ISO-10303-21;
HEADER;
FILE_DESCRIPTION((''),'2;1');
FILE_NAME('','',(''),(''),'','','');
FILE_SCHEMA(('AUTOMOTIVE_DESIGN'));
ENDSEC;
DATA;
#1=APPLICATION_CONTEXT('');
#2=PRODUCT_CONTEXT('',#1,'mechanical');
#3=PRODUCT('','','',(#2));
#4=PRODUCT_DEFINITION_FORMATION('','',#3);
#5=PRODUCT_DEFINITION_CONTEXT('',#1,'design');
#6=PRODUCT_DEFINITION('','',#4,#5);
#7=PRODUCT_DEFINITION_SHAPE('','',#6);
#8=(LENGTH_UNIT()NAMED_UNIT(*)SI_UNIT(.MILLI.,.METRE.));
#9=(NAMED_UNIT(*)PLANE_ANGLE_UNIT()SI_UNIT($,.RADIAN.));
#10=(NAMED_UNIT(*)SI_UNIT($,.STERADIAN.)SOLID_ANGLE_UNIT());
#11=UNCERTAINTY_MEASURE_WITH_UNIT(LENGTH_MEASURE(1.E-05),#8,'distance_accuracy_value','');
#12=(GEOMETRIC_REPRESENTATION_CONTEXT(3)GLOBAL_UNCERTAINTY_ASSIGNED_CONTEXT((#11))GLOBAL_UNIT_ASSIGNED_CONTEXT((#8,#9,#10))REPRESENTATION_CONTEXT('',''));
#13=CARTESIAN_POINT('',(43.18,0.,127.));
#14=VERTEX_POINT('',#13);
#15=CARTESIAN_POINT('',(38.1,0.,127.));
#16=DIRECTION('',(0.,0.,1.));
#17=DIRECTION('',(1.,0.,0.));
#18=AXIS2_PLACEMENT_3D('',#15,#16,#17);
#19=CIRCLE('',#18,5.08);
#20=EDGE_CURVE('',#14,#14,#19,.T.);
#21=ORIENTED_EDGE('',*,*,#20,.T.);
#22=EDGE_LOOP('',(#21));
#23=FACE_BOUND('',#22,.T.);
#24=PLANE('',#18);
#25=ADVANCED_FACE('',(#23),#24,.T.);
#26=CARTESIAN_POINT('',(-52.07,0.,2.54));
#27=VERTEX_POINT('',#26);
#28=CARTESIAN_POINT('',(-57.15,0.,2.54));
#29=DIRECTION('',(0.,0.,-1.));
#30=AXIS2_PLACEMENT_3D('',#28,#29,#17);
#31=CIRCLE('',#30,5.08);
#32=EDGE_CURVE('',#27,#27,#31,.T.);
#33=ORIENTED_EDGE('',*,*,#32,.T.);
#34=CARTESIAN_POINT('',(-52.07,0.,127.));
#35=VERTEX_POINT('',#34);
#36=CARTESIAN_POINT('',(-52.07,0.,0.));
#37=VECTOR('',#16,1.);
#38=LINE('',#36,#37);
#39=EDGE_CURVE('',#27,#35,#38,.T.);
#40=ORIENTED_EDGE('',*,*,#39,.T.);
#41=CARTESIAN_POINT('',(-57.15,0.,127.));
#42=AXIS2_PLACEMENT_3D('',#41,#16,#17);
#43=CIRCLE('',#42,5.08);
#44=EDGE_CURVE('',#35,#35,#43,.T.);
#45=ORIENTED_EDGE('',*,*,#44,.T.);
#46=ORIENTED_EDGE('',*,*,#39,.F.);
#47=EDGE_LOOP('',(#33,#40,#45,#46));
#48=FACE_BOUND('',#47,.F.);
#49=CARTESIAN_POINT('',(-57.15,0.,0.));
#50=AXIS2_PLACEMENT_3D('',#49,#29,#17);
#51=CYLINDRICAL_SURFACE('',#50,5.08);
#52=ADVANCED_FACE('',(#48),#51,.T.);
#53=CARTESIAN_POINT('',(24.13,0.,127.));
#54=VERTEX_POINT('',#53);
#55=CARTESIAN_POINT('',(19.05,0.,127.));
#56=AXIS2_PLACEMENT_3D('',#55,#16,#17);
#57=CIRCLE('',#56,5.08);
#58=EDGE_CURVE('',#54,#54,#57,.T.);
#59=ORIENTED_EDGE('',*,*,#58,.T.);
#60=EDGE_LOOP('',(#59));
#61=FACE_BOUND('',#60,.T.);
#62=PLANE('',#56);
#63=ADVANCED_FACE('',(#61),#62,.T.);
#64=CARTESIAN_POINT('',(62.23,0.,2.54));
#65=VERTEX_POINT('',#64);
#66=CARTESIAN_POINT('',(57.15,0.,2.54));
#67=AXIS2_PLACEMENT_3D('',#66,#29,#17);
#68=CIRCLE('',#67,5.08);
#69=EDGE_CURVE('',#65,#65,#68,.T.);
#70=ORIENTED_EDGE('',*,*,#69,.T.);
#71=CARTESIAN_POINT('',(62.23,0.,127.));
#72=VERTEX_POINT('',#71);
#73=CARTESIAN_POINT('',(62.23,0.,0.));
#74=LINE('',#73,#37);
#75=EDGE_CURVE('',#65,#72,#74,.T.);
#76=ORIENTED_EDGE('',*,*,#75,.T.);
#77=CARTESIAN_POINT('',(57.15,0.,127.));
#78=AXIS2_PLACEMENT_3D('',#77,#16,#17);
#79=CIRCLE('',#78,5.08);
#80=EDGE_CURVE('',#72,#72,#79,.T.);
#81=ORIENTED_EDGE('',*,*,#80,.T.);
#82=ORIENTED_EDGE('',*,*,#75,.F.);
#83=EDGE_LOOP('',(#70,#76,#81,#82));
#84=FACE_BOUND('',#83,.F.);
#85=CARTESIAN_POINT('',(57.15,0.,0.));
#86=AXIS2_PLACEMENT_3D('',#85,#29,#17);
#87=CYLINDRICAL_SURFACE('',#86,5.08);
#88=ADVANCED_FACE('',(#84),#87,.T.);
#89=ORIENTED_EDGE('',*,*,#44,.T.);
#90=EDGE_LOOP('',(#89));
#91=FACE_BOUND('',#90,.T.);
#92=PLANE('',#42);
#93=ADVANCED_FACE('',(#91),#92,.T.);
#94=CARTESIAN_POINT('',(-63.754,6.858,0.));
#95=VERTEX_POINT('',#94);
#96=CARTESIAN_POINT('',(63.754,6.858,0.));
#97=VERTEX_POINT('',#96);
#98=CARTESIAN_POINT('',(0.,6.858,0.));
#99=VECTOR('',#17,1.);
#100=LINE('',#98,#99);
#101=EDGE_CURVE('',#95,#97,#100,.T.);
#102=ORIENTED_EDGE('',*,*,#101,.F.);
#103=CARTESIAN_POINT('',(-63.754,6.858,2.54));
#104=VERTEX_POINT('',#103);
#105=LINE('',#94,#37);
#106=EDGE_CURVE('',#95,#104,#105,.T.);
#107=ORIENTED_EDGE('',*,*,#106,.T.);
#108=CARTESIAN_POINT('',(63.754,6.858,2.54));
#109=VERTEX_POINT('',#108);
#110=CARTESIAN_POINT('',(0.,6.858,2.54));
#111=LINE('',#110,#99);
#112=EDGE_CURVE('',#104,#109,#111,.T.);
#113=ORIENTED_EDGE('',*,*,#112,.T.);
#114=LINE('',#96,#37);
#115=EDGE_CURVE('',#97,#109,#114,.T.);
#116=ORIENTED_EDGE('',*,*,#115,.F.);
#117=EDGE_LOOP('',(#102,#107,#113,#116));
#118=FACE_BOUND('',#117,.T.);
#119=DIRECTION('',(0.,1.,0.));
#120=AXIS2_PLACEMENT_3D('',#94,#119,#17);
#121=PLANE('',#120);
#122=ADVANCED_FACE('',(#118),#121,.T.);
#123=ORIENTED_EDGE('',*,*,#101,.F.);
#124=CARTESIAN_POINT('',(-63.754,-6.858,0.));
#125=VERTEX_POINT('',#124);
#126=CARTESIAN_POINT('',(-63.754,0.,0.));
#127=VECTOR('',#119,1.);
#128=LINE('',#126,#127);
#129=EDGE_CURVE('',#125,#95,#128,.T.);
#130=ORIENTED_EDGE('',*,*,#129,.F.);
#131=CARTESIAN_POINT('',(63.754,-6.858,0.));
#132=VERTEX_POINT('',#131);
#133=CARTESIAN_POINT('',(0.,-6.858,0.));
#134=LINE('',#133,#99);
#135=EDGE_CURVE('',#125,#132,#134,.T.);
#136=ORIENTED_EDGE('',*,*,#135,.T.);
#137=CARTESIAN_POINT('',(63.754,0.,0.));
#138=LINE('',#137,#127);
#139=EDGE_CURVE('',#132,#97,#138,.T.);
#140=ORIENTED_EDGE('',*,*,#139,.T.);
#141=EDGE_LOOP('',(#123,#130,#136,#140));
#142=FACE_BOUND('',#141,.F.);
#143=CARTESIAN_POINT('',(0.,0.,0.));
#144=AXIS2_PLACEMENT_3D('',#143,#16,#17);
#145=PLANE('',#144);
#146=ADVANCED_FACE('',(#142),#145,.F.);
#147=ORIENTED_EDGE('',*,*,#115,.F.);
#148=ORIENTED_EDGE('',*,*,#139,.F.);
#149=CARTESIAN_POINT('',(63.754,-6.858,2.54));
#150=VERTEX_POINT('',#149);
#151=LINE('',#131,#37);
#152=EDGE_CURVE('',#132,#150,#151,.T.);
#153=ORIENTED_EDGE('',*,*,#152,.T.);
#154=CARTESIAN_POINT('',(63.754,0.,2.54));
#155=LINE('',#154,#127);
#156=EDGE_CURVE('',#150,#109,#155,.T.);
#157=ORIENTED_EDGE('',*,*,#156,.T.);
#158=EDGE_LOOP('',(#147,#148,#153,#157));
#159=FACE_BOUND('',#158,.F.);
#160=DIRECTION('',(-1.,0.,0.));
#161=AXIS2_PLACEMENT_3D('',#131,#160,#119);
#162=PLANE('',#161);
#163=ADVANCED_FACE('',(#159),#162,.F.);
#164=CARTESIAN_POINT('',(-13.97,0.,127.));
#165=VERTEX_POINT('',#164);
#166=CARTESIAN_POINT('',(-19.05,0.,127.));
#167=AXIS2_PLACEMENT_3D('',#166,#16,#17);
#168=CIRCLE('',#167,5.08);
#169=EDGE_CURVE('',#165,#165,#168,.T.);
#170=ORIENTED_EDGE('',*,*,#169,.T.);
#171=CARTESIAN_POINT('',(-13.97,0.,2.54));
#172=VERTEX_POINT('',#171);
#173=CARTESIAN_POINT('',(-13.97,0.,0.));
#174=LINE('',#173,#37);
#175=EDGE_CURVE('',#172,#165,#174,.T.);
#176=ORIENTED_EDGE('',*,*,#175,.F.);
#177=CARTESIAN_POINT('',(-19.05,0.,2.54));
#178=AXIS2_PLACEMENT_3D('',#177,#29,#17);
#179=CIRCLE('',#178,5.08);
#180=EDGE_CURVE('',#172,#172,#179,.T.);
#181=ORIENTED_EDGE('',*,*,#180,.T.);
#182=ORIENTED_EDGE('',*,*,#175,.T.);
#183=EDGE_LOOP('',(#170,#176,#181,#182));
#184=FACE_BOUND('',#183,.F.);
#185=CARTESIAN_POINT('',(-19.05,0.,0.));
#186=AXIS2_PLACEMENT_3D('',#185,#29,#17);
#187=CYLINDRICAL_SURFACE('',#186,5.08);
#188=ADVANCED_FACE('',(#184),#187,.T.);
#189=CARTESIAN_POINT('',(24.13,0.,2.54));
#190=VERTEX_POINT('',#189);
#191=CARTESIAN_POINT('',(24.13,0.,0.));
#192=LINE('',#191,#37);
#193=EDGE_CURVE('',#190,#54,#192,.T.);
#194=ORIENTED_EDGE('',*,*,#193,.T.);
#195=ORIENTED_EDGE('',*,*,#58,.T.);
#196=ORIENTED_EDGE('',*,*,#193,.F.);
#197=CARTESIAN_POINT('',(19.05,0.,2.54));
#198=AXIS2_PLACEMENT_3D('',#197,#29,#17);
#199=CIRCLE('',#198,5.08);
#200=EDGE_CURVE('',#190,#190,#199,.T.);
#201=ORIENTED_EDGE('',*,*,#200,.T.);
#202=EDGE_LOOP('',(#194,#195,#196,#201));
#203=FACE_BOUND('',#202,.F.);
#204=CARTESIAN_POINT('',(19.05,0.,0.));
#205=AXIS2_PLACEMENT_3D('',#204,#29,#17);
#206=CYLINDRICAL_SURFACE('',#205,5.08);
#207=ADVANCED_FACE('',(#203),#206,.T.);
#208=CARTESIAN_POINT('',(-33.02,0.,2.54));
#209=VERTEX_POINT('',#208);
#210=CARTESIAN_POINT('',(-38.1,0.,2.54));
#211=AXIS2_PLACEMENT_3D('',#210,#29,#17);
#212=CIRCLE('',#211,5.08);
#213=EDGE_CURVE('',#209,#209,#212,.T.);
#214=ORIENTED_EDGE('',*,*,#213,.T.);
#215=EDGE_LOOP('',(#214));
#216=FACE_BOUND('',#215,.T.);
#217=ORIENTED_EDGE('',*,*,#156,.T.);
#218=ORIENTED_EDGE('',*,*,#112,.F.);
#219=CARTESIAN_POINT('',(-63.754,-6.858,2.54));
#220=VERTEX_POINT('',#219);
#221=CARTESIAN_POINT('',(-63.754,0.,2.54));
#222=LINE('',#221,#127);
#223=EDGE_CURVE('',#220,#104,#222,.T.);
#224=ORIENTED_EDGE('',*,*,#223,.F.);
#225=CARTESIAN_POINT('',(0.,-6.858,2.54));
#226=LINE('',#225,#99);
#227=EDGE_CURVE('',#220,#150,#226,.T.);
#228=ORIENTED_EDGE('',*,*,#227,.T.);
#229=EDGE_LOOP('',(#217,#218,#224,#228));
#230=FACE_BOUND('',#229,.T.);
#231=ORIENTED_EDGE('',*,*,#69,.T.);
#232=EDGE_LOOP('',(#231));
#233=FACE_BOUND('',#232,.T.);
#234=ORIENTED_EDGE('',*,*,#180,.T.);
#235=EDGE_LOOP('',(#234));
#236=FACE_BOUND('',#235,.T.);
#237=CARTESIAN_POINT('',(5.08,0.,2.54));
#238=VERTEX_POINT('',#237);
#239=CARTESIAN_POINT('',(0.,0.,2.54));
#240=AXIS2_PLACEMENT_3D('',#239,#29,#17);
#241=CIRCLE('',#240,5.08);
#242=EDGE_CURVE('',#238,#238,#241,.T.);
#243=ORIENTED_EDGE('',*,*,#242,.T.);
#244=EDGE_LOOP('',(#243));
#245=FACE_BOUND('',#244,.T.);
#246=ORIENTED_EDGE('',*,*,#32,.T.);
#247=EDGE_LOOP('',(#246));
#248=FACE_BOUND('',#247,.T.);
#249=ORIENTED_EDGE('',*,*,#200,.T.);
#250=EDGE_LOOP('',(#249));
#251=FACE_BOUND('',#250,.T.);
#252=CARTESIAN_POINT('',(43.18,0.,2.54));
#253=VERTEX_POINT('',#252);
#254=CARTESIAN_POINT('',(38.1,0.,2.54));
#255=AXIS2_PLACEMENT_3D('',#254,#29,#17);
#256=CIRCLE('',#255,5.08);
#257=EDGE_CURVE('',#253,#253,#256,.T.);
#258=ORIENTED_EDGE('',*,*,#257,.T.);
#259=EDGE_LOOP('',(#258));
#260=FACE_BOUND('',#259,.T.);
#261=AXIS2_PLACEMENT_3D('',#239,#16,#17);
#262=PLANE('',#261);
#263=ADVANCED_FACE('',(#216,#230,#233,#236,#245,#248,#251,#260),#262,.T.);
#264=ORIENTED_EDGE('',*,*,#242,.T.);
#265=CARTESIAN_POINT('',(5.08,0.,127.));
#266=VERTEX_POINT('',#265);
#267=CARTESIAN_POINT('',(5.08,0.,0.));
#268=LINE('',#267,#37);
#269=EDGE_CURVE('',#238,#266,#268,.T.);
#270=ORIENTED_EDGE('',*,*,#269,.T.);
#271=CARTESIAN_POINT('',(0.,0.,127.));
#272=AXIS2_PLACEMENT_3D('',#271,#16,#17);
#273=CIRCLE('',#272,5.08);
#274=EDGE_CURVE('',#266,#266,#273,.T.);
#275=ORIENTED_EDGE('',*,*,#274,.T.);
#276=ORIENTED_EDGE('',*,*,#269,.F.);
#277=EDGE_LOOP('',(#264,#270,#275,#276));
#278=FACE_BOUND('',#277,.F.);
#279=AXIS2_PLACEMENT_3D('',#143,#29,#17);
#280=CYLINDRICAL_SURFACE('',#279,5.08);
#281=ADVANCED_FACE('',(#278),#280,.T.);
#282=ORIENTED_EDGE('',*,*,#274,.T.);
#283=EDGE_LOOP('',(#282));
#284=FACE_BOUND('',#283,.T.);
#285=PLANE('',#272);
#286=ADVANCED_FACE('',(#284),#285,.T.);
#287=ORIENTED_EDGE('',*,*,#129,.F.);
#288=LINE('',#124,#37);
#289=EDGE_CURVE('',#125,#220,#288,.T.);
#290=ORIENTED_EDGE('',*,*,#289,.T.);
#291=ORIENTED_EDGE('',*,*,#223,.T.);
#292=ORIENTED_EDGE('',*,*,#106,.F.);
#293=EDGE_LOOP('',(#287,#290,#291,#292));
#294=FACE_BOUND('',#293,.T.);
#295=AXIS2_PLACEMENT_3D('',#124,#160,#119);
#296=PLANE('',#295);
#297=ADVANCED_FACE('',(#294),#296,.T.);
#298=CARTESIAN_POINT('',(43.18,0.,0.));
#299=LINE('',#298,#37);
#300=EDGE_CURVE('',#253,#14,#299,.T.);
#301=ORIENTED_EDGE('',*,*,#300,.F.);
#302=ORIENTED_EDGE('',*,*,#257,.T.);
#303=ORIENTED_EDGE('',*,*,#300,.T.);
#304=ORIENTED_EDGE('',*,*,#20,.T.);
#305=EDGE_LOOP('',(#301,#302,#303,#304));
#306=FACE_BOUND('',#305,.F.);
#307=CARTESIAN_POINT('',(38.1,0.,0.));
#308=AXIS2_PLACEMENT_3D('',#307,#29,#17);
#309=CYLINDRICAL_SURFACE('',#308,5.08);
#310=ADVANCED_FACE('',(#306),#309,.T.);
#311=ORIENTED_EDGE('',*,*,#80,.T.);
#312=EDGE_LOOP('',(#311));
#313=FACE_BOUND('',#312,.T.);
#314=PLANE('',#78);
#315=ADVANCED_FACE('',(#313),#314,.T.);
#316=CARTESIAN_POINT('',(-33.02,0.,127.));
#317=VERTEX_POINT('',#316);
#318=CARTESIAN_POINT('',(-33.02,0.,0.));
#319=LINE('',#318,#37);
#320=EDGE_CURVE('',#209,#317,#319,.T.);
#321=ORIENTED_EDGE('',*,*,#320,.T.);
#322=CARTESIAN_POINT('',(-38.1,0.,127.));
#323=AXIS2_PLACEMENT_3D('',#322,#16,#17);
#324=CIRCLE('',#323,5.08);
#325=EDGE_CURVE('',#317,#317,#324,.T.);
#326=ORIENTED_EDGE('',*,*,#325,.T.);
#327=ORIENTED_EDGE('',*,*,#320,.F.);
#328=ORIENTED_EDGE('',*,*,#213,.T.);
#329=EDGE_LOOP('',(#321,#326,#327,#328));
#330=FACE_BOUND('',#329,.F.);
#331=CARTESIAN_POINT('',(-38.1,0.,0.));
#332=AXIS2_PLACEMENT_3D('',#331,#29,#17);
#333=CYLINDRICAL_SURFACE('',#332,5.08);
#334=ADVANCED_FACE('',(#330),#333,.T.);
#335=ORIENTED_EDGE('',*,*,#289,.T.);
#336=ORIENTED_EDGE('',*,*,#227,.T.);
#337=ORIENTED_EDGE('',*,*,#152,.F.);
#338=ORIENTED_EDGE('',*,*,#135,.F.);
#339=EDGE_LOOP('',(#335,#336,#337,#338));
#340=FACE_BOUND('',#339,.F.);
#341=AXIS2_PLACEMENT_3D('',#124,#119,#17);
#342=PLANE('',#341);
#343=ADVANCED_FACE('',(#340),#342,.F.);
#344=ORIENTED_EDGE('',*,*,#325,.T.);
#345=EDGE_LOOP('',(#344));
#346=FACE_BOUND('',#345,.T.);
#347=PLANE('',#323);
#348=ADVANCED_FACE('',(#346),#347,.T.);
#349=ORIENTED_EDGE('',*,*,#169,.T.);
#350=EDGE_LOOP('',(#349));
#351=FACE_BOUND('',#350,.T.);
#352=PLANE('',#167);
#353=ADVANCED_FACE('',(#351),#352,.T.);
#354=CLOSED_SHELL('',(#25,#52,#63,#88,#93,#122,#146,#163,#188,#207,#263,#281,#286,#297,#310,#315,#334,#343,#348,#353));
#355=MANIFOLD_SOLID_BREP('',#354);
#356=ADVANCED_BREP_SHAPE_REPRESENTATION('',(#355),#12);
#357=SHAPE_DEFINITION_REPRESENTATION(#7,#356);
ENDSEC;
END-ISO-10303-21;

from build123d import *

# Parameters (mm, degrees)
F0_W     = 127.508
F0_H     = 13.716
F1_DEPTH = 2.54
F2_R     = 5.08
F3_DEPTH = 127


with BuildPart() as f1:
    # F0 (on Top) → F1 (new body)
    with BuildSketch(Plane.XY):
        Rectangle(F0_W, F0_H)
    extrude(amount=F1_DEPTH)

    # F2 (on Top) → F3 (join)
    with BuildSketch(Plane.XY):
        Circle(F2_R)
        with Locations((19.05, 0)):
            Circle(F2_R)
        with Locations((38.1, 0)):
            Circle(F2_R)
        with Locations((57.15, 0)):
            Circle(F2_R)
        with Locations((-19.05, 0)):
            Circle(F2_R)
        with Locations((-38.1, 0)):
            Circle(F2_R)
        with Locations((-57.15, 0)):
            Circle(F2_R)
    extrude(amount=F3_DEPTH)


solid = f1.part
